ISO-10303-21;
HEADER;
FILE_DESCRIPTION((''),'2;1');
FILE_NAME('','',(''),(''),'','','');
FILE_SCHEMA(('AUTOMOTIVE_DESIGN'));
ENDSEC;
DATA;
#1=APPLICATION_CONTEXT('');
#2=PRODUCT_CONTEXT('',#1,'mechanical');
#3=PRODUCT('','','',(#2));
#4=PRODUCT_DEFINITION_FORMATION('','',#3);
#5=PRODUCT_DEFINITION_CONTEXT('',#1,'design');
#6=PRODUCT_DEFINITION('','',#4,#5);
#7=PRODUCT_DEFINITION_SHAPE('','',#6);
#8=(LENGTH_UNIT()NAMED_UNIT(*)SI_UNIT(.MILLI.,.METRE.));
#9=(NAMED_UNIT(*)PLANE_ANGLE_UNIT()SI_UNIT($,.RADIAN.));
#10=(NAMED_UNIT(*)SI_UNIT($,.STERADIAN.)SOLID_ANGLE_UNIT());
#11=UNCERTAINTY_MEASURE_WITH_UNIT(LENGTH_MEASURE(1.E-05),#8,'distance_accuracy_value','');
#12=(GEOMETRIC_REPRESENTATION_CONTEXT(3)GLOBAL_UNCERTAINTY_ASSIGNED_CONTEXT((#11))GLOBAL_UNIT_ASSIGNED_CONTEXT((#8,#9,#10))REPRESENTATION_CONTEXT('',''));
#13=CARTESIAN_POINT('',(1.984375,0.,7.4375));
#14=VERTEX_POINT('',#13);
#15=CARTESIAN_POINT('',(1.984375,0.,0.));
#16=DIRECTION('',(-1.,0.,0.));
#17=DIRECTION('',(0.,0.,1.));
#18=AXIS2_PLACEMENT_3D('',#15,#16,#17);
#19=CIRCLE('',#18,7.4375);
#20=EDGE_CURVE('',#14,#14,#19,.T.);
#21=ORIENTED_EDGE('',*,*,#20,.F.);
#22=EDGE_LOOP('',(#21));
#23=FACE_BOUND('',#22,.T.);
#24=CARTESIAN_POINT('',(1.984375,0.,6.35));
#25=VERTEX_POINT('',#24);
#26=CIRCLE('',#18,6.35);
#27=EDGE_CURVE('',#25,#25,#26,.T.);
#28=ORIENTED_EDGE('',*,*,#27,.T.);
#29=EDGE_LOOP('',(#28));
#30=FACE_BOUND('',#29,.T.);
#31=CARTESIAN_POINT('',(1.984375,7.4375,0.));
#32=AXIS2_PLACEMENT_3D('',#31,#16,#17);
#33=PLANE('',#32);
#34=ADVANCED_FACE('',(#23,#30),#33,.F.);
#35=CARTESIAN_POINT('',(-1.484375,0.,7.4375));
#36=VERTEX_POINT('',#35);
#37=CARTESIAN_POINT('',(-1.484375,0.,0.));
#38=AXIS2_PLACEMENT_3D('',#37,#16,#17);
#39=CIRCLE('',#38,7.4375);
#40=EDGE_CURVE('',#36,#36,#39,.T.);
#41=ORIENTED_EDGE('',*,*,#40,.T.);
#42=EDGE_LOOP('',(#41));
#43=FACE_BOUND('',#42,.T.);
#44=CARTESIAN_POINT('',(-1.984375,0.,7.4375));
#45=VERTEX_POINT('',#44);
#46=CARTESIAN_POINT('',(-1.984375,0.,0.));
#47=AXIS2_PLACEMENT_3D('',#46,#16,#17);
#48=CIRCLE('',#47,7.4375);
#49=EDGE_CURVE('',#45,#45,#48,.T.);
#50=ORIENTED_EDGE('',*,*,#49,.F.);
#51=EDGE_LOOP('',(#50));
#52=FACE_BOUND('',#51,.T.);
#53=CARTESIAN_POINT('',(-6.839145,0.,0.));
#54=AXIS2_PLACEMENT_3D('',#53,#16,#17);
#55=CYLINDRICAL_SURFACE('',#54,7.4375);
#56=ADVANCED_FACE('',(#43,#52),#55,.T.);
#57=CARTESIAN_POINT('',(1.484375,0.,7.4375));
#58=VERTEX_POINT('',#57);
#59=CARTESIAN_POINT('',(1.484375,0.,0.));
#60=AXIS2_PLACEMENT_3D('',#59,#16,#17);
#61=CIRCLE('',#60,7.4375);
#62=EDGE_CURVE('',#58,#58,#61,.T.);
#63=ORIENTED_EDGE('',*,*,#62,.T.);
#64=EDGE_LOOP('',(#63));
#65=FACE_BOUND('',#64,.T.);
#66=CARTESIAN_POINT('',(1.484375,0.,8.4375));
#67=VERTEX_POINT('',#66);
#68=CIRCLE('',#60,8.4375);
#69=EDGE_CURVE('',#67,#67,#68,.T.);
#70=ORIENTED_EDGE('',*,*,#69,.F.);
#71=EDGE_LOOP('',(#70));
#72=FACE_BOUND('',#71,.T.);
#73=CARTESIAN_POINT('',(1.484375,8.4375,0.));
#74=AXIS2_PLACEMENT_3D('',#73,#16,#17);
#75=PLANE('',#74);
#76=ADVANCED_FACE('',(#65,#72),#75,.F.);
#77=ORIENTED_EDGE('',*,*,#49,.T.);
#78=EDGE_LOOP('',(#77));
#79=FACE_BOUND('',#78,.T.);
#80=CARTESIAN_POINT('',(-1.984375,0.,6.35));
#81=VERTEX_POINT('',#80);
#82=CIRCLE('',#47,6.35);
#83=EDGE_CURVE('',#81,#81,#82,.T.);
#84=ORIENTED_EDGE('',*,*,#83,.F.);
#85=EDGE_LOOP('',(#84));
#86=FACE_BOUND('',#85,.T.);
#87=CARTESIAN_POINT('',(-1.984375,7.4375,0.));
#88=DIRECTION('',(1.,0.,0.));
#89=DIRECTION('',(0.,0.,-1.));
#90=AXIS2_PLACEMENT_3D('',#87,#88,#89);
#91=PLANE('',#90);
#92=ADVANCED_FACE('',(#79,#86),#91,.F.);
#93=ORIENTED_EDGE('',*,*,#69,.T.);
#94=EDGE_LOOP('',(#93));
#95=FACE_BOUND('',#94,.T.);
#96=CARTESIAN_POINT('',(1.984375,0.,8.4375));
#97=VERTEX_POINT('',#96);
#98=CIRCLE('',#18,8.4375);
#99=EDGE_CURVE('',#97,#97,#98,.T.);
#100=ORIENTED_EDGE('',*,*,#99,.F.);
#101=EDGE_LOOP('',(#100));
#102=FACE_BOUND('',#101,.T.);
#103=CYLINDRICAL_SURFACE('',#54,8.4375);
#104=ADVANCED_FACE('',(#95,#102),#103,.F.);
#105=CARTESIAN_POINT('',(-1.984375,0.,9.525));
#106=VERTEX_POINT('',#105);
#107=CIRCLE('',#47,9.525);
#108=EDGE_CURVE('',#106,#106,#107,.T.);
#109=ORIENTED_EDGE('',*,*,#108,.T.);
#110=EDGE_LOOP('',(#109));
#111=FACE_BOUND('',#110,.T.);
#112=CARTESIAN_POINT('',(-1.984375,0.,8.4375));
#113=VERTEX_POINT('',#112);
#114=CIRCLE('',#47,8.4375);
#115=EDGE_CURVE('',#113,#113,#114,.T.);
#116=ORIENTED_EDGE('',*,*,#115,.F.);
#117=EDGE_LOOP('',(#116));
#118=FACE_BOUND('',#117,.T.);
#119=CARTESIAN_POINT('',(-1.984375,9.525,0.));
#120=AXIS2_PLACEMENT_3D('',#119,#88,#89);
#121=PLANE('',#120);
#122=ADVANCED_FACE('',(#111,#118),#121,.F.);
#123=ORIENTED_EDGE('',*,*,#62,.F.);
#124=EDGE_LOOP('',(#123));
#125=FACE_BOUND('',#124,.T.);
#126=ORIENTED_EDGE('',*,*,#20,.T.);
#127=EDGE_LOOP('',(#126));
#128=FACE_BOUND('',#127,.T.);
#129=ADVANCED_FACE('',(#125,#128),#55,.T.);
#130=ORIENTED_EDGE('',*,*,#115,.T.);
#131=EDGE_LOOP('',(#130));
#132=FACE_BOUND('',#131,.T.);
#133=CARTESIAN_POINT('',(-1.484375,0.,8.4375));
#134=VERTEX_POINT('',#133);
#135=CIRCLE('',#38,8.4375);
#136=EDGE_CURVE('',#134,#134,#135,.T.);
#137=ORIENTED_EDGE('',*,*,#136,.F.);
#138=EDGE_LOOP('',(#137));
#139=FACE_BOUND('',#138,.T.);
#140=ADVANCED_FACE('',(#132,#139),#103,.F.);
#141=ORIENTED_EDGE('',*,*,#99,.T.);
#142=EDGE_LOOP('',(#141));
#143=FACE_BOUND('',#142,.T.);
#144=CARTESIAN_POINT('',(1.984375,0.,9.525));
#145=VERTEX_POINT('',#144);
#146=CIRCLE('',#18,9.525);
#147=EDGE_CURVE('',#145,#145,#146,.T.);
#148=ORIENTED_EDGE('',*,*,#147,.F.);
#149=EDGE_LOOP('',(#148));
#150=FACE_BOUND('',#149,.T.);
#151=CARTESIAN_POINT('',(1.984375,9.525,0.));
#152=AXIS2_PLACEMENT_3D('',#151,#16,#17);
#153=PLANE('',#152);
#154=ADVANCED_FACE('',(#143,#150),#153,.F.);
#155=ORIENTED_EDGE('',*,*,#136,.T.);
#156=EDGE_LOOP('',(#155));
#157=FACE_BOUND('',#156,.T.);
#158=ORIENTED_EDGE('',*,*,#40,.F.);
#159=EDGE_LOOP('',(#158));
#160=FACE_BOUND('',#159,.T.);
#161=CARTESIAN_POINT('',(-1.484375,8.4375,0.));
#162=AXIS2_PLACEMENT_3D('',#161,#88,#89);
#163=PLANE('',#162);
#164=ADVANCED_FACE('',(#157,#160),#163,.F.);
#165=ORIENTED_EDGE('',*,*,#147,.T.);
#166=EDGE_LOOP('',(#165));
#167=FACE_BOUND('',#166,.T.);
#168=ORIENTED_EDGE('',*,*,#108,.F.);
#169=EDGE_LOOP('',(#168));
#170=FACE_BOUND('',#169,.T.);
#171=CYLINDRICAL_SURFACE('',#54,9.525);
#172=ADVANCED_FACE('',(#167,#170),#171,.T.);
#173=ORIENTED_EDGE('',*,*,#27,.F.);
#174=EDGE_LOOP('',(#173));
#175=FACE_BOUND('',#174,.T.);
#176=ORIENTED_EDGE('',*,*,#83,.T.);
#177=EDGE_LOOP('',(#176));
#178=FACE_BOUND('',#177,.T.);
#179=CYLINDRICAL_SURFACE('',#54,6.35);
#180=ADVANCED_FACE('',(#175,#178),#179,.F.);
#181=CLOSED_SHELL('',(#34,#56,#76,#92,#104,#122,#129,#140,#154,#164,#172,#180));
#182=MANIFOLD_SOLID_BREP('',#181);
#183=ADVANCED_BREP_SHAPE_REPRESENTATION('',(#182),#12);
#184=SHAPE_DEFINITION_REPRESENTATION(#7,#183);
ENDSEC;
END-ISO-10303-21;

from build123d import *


with BuildPart() as part:
    # Sketch1 → Revolve1 (revolve)
    with BuildSketch(Plane.XY):
        Polygon((-1.984375, 7.4375), (-1.984375, 6.35), (1.984375, 6.35), (1.984375, 7.4375), (1.484375, 7.4375), (1.484375, 8.4375), (1.984375, 8.4375), (1.984375, 9.525), (-1.984375, 9.525), (-1.984375, 8.4375), (-1.484375, 8.4375), (-1.484375, 7.4375), align=None)
    revolve(axis=Axis((-6.83914474, 0, 0), (1, 0, 0)))


solid = part.part
